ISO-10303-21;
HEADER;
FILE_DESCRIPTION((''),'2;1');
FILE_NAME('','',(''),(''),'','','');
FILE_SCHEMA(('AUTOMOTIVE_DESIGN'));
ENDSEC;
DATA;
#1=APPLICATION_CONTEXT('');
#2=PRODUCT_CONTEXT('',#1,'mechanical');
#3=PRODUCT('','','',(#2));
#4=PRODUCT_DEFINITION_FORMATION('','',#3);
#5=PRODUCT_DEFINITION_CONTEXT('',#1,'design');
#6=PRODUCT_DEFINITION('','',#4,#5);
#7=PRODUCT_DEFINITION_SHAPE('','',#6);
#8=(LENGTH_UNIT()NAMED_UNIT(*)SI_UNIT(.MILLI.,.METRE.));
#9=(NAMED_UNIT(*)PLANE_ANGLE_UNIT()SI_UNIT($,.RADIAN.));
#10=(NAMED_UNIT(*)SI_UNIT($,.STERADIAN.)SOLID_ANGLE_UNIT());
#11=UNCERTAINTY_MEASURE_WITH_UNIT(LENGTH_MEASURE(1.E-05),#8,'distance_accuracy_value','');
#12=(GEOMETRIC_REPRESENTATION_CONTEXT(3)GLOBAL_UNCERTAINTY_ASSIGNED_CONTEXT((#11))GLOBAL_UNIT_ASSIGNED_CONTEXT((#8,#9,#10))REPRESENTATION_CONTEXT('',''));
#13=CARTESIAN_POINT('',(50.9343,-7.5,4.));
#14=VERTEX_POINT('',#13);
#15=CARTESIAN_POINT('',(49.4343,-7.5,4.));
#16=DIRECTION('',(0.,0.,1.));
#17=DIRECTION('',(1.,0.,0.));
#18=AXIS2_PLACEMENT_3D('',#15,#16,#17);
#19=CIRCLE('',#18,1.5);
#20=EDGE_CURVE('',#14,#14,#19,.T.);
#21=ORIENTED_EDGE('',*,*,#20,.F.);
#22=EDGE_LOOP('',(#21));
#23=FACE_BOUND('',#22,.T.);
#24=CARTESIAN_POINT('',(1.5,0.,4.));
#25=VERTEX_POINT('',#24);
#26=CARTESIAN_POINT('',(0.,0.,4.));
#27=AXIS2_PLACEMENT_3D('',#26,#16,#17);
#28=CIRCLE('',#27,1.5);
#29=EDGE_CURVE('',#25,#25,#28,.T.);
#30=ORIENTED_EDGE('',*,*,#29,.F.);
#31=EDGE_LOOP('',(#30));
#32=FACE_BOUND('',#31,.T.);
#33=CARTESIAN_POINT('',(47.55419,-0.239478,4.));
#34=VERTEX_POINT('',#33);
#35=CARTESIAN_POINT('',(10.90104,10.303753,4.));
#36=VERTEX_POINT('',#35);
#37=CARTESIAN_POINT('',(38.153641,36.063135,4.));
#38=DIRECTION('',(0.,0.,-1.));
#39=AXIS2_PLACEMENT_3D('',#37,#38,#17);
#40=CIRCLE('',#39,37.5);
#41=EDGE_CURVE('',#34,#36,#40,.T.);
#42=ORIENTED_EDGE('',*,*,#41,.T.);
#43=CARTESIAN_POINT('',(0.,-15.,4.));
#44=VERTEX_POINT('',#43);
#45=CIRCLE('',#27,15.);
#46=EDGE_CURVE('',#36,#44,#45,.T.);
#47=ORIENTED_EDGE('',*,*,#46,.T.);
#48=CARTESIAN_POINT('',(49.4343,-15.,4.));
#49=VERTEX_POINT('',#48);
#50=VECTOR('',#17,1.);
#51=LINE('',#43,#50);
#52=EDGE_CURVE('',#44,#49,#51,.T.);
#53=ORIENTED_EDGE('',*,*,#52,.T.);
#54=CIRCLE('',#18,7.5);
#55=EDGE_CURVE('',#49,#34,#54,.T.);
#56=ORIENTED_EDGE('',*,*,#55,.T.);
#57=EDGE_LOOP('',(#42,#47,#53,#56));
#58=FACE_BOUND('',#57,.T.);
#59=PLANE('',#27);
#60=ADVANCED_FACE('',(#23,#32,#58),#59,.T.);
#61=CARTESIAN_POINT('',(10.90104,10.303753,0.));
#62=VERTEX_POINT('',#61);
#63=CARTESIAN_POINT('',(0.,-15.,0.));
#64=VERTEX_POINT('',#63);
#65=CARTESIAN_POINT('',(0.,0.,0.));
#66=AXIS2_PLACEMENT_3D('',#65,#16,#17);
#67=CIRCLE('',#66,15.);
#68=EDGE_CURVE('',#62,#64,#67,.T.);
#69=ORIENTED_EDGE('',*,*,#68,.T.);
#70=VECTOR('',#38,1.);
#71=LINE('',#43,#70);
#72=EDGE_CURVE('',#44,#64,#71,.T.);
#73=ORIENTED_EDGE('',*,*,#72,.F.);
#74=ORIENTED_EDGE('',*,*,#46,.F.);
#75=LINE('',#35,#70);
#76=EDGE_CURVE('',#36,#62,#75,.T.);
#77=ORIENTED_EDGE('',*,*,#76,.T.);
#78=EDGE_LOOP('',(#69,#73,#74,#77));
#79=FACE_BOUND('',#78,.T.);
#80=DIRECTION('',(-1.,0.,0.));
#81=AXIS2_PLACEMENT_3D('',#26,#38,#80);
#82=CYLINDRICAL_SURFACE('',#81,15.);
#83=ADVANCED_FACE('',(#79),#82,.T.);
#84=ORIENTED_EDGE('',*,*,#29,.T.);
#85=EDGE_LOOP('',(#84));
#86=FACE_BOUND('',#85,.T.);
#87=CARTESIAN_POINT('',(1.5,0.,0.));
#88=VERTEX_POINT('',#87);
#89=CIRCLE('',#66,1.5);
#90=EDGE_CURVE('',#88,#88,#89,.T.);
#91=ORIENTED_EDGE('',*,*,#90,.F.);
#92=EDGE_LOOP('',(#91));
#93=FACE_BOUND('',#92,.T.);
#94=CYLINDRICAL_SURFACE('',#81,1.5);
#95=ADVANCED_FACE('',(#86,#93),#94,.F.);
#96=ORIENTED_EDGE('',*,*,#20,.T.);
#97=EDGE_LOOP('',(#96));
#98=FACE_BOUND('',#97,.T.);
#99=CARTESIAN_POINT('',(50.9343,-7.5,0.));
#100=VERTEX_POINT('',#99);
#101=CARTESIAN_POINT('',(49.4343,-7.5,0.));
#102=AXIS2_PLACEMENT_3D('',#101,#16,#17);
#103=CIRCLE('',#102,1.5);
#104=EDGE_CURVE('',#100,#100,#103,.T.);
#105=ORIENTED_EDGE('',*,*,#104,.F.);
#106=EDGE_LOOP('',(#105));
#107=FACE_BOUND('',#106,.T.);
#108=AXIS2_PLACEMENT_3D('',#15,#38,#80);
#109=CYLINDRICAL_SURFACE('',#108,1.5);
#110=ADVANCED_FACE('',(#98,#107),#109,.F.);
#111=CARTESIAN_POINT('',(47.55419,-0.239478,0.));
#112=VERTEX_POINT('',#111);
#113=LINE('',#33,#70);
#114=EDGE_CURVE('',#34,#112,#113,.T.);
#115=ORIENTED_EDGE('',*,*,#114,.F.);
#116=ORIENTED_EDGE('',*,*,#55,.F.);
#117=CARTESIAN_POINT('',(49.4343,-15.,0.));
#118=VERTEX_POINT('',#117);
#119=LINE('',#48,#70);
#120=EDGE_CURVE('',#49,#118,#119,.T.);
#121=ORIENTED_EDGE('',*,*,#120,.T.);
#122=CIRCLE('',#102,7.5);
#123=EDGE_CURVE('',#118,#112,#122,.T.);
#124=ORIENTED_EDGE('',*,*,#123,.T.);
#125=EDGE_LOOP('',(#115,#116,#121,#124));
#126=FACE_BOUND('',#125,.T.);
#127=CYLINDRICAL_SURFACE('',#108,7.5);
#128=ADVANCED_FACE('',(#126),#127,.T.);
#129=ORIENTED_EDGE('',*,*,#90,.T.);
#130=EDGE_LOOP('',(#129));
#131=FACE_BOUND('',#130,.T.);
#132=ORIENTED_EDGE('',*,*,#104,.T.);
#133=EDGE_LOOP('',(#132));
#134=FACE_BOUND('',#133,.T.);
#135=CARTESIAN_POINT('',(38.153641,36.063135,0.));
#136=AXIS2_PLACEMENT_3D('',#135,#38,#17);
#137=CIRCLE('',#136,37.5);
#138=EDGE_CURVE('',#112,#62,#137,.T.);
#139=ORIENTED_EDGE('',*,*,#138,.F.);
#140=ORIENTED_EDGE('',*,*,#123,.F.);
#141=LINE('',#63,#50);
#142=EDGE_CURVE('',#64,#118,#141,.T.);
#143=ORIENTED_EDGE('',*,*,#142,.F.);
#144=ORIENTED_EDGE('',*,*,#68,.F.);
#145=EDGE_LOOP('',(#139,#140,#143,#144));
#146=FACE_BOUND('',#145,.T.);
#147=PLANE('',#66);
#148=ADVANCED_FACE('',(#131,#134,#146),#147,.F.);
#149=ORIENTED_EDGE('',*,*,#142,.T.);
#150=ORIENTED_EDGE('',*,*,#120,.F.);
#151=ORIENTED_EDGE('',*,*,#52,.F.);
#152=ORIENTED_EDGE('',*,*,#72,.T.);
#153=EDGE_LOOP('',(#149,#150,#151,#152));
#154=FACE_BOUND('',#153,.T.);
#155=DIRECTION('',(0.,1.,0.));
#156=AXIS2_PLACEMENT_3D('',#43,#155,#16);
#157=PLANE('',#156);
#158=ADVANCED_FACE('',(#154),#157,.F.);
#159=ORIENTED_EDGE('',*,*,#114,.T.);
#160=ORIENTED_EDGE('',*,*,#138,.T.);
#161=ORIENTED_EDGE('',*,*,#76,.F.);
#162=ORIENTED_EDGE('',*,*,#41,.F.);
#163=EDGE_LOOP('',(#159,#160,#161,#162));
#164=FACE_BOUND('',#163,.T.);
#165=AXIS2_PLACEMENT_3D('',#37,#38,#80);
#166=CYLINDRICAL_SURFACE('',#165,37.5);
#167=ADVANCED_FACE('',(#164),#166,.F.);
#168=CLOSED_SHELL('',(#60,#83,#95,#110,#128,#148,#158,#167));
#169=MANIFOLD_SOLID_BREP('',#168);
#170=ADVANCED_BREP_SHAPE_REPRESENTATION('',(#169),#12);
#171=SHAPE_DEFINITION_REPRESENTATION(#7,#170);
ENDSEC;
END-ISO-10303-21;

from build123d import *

# Parameters (mm, degrees)
SCHIZZO1_R                   = 1.5
ESTRUSIONE_ESTRUSIONE1_DEPTH = 4


with BuildPart() as part:
    # Schizzo1 → Estrusione-Estrusione1 (new body)
    with BuildSketch(Plane.XY):
        with BuildLine():
            Line((0, -15), (49.434299833, -15))
            ThreePointArc((49.434299833, -15), (56.874189574, -6.552349937), (47.554189972, -0.239477504))
            ThreePointArc((47.554189972, -0.239477504), (27.787162994, 0.02445935), (10.90104019, 10.30375285))
            ThreePointArc((10.90104019, 10.30375285), (-13.775998925, 5.934800218), (0, -15))
        make_face()
        Circle(SCHIZZO1_R, mode=Mode.SUBTRACT)
        with Locations((49.434299833, -7.5)):
            Circle(SCHIZZO1_R, mode=Mode.SUBTRACT)
    extrude(amount=ESTRUSIONE_ESTRUSIONE1_DEPTH)


solid = part.part
